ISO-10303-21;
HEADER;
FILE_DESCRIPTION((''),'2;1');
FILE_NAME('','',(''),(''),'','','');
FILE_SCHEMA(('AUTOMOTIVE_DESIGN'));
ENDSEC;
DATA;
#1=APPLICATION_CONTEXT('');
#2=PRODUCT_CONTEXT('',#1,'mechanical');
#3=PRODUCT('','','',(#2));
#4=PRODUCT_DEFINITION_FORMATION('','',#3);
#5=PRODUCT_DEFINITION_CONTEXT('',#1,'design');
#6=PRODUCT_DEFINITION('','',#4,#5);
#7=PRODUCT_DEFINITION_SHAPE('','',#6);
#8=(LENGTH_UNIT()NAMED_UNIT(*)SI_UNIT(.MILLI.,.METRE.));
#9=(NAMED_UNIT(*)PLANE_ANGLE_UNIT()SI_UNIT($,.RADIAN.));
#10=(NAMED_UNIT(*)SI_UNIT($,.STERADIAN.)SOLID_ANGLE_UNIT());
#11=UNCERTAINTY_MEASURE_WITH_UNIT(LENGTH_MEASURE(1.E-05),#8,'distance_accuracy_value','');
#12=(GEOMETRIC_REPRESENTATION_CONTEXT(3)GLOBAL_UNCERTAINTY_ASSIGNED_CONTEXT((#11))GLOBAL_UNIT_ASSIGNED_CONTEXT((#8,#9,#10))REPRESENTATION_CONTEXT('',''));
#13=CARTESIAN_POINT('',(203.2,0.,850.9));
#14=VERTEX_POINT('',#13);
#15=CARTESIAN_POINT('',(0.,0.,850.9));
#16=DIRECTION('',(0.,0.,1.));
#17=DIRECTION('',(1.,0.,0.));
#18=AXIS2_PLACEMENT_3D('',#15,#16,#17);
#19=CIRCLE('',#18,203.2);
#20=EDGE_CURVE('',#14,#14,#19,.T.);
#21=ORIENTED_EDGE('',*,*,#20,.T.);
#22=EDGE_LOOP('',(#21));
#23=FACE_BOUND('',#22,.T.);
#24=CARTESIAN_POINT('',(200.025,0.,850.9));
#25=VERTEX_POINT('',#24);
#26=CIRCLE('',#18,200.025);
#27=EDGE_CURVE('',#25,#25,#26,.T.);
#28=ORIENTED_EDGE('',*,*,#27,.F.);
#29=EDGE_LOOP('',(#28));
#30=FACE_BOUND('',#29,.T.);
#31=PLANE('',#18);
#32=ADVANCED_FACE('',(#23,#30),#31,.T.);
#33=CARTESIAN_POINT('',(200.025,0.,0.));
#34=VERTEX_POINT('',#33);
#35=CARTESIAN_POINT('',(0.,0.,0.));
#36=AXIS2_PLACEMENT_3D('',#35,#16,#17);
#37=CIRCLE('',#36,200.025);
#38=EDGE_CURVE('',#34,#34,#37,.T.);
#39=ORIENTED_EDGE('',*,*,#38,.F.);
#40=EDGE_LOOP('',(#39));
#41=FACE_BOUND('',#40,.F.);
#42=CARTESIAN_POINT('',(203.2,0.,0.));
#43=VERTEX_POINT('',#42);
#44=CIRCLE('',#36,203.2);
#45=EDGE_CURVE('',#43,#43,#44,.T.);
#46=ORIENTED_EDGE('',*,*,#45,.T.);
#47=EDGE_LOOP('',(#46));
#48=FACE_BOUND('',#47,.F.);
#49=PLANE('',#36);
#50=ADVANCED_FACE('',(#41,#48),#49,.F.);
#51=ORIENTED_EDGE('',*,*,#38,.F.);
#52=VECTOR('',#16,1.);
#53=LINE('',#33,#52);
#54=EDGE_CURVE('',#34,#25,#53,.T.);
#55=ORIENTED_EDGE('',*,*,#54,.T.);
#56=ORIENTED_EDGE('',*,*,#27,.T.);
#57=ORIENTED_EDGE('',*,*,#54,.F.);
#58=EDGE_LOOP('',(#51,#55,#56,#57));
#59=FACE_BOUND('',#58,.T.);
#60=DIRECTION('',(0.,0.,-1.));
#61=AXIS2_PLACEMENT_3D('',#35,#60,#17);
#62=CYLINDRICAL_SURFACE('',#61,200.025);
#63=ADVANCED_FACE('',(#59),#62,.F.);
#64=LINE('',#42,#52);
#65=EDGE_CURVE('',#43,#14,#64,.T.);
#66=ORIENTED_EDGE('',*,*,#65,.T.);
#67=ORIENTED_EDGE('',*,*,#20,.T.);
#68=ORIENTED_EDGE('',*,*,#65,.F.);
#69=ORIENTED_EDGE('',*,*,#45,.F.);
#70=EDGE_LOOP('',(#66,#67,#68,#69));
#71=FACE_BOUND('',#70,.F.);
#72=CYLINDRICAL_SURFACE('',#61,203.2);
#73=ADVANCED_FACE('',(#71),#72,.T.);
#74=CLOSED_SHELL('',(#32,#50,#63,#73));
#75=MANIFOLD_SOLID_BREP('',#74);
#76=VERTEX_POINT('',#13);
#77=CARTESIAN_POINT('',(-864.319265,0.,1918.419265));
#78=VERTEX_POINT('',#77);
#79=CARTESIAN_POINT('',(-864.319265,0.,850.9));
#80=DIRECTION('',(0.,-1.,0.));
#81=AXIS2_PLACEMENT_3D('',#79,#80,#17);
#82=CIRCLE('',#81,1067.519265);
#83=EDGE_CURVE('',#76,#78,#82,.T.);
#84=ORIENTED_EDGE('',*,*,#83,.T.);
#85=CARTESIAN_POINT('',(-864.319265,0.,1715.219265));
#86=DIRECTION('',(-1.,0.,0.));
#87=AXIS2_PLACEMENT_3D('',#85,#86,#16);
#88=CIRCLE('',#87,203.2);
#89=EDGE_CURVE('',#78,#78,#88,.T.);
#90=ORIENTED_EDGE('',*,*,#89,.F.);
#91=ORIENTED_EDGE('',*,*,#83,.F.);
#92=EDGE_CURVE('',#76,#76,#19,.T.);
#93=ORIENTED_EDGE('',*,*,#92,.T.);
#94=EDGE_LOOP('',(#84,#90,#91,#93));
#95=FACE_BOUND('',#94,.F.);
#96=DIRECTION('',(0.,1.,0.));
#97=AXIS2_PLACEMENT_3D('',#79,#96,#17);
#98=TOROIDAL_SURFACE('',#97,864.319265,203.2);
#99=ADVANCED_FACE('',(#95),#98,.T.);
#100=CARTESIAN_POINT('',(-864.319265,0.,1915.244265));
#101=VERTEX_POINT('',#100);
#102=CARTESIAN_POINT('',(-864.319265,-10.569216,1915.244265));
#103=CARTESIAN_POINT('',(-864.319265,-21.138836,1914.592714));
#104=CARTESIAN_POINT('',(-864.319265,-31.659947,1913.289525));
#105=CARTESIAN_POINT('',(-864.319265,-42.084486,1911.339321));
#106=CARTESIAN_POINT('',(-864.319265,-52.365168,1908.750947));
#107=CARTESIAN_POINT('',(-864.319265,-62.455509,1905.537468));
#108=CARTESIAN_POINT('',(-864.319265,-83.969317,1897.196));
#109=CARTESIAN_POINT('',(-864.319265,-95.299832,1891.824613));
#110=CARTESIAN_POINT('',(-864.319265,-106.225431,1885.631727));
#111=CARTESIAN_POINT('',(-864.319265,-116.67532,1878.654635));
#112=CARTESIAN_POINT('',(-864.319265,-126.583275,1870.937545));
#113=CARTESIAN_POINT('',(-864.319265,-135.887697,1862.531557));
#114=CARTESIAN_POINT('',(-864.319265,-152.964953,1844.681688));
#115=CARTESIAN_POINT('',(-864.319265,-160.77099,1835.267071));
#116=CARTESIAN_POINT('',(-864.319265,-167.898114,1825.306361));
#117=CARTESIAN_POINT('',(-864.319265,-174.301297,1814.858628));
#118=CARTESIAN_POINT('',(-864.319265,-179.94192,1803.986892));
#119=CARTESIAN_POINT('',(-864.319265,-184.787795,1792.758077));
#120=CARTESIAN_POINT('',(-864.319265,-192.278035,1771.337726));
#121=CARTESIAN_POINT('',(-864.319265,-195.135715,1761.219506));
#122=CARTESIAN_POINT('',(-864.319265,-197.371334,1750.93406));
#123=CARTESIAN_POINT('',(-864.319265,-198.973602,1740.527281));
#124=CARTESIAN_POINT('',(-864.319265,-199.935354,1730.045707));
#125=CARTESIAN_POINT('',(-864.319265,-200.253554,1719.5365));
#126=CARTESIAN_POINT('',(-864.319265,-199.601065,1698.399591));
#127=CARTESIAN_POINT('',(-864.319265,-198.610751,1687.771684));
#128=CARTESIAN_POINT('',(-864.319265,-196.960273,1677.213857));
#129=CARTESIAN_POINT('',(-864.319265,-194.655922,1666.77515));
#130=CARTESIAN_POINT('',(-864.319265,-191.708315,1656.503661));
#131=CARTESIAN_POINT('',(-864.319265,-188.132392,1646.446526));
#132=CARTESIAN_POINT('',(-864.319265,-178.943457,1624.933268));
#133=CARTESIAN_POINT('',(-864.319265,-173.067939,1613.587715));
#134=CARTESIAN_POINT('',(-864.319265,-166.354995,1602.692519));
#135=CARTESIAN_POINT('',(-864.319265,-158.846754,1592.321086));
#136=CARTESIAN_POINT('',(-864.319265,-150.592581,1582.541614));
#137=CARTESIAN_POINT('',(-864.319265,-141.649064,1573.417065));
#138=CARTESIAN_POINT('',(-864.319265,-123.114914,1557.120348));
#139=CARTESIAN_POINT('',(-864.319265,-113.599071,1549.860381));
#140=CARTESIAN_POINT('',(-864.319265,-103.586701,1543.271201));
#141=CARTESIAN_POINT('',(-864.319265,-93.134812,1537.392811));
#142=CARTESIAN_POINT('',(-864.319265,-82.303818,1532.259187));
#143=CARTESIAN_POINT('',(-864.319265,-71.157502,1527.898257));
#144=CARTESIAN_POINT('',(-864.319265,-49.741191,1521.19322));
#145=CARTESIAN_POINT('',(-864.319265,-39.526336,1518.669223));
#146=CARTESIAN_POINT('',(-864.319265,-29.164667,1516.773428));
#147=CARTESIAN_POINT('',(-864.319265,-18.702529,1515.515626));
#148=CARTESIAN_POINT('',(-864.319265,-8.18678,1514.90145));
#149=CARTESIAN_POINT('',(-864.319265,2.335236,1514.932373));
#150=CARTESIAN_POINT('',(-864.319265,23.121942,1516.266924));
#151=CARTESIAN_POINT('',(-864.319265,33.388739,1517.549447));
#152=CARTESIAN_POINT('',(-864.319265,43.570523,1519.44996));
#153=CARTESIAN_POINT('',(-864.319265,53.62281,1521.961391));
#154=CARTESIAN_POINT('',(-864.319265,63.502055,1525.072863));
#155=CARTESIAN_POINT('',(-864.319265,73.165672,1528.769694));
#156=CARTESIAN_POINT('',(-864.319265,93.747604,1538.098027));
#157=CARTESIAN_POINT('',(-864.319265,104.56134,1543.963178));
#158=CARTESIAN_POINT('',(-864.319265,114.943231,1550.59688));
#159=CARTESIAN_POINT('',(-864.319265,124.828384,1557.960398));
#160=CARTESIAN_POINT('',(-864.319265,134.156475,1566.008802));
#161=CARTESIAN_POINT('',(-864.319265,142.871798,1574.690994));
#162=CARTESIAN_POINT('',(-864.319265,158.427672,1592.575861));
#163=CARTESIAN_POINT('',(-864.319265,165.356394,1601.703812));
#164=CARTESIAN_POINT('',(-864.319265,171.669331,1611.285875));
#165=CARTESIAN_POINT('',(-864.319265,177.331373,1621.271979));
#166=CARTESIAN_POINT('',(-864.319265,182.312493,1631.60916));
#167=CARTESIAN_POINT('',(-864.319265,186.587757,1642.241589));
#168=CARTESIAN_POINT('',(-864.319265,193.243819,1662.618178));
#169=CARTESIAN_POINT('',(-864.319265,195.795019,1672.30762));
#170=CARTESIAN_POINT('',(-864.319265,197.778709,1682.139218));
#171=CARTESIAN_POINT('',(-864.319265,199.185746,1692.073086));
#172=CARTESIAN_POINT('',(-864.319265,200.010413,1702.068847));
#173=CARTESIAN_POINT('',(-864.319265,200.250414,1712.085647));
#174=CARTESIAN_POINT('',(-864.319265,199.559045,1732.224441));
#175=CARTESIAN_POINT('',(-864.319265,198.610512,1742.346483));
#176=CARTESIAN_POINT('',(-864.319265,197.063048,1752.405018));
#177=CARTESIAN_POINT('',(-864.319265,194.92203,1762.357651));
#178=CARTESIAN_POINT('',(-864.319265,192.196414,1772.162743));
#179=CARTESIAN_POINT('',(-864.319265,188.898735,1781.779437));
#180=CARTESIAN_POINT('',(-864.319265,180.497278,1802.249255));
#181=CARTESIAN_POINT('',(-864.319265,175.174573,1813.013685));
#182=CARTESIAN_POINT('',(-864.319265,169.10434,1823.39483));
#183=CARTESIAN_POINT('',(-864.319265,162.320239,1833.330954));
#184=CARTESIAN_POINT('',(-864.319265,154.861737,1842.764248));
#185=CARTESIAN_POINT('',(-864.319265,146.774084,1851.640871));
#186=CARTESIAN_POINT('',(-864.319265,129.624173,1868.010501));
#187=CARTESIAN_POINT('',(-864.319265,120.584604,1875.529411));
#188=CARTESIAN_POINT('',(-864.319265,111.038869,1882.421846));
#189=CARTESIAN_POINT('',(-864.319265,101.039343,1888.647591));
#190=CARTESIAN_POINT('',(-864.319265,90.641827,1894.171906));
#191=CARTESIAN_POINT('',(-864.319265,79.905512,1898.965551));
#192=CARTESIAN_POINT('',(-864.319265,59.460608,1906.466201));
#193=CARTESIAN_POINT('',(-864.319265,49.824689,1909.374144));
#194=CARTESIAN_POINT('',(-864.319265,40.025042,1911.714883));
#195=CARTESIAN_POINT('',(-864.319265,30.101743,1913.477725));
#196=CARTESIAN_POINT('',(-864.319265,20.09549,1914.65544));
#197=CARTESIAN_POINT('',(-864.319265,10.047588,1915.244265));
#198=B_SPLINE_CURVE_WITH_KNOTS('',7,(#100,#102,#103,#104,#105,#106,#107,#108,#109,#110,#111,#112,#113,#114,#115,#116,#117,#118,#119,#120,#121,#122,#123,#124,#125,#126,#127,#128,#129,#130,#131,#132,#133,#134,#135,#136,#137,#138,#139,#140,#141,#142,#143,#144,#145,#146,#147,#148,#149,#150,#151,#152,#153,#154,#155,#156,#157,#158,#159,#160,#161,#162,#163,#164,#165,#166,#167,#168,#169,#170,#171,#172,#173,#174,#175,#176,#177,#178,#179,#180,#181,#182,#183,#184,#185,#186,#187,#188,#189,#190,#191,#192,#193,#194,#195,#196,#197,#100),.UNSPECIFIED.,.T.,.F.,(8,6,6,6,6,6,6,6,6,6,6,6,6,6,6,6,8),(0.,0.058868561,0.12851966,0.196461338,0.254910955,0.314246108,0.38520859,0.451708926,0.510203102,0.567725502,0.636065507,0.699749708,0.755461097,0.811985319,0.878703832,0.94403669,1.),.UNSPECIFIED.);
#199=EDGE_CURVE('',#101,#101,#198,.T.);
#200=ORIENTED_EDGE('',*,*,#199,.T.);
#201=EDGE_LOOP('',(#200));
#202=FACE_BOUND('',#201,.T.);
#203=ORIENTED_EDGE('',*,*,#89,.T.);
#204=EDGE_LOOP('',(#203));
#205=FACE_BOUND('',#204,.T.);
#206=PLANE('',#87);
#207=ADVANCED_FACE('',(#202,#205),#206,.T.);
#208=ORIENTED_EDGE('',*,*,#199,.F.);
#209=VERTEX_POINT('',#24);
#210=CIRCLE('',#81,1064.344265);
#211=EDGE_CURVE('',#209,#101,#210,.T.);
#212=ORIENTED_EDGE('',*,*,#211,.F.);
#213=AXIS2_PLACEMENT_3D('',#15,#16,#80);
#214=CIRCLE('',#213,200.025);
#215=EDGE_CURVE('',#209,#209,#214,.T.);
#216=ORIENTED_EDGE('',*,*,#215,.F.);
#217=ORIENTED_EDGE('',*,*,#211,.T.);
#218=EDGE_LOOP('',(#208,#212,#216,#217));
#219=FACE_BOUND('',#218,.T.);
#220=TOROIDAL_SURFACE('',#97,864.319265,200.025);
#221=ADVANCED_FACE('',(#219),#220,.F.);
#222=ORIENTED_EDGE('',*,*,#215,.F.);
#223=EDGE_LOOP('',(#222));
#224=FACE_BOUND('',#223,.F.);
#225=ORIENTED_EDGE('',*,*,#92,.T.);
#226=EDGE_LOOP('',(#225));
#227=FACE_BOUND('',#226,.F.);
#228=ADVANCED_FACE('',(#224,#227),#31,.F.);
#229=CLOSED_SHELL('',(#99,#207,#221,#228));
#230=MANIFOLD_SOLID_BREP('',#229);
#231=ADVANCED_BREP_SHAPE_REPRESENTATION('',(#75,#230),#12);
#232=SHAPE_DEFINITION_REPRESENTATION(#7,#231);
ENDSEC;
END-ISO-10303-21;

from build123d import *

# Parameters (mm, degrees)
F2_R     = 203.2
F3_ANGLE = 90
F4_T     = -3.175
F5_R     = 203.2
F5_R_2   = 200.025
F6_DEPTH = 850.9


with BuildPart() as f3:
    # F2 (on line) → F3 (revolve)
    with BuildSketch(Plane.XY.offset(850.9)):
        Circle(F2_R)
    revolve(axis=Axis((-864.3192648888, -89.1097486019, 850.9), (0, -1, 0)), revolution_arc=F3_ANGLE)

    # F4
    f4_openings = [f3.faces().sort_by_distance(p)[0] for p in [
        (-864.319265, 0, 1715.219265),
        (0, 0, 850.9),
    ]]
    offset(amount=F4_T, openings=f4_openings, kind=Kind.INTERSECTION)


with BuildPart() as f6:
    # F5 (on Top) → F6 (new body)
    with BuildSketch(Plane.XY):
        Circle(F5_R)
        Circle(F5_R_2, mode=Mode.SUBTRACT)
    extrude(amount=F6_DEPTH)


solid = Compound([f3.part, f6.part])
